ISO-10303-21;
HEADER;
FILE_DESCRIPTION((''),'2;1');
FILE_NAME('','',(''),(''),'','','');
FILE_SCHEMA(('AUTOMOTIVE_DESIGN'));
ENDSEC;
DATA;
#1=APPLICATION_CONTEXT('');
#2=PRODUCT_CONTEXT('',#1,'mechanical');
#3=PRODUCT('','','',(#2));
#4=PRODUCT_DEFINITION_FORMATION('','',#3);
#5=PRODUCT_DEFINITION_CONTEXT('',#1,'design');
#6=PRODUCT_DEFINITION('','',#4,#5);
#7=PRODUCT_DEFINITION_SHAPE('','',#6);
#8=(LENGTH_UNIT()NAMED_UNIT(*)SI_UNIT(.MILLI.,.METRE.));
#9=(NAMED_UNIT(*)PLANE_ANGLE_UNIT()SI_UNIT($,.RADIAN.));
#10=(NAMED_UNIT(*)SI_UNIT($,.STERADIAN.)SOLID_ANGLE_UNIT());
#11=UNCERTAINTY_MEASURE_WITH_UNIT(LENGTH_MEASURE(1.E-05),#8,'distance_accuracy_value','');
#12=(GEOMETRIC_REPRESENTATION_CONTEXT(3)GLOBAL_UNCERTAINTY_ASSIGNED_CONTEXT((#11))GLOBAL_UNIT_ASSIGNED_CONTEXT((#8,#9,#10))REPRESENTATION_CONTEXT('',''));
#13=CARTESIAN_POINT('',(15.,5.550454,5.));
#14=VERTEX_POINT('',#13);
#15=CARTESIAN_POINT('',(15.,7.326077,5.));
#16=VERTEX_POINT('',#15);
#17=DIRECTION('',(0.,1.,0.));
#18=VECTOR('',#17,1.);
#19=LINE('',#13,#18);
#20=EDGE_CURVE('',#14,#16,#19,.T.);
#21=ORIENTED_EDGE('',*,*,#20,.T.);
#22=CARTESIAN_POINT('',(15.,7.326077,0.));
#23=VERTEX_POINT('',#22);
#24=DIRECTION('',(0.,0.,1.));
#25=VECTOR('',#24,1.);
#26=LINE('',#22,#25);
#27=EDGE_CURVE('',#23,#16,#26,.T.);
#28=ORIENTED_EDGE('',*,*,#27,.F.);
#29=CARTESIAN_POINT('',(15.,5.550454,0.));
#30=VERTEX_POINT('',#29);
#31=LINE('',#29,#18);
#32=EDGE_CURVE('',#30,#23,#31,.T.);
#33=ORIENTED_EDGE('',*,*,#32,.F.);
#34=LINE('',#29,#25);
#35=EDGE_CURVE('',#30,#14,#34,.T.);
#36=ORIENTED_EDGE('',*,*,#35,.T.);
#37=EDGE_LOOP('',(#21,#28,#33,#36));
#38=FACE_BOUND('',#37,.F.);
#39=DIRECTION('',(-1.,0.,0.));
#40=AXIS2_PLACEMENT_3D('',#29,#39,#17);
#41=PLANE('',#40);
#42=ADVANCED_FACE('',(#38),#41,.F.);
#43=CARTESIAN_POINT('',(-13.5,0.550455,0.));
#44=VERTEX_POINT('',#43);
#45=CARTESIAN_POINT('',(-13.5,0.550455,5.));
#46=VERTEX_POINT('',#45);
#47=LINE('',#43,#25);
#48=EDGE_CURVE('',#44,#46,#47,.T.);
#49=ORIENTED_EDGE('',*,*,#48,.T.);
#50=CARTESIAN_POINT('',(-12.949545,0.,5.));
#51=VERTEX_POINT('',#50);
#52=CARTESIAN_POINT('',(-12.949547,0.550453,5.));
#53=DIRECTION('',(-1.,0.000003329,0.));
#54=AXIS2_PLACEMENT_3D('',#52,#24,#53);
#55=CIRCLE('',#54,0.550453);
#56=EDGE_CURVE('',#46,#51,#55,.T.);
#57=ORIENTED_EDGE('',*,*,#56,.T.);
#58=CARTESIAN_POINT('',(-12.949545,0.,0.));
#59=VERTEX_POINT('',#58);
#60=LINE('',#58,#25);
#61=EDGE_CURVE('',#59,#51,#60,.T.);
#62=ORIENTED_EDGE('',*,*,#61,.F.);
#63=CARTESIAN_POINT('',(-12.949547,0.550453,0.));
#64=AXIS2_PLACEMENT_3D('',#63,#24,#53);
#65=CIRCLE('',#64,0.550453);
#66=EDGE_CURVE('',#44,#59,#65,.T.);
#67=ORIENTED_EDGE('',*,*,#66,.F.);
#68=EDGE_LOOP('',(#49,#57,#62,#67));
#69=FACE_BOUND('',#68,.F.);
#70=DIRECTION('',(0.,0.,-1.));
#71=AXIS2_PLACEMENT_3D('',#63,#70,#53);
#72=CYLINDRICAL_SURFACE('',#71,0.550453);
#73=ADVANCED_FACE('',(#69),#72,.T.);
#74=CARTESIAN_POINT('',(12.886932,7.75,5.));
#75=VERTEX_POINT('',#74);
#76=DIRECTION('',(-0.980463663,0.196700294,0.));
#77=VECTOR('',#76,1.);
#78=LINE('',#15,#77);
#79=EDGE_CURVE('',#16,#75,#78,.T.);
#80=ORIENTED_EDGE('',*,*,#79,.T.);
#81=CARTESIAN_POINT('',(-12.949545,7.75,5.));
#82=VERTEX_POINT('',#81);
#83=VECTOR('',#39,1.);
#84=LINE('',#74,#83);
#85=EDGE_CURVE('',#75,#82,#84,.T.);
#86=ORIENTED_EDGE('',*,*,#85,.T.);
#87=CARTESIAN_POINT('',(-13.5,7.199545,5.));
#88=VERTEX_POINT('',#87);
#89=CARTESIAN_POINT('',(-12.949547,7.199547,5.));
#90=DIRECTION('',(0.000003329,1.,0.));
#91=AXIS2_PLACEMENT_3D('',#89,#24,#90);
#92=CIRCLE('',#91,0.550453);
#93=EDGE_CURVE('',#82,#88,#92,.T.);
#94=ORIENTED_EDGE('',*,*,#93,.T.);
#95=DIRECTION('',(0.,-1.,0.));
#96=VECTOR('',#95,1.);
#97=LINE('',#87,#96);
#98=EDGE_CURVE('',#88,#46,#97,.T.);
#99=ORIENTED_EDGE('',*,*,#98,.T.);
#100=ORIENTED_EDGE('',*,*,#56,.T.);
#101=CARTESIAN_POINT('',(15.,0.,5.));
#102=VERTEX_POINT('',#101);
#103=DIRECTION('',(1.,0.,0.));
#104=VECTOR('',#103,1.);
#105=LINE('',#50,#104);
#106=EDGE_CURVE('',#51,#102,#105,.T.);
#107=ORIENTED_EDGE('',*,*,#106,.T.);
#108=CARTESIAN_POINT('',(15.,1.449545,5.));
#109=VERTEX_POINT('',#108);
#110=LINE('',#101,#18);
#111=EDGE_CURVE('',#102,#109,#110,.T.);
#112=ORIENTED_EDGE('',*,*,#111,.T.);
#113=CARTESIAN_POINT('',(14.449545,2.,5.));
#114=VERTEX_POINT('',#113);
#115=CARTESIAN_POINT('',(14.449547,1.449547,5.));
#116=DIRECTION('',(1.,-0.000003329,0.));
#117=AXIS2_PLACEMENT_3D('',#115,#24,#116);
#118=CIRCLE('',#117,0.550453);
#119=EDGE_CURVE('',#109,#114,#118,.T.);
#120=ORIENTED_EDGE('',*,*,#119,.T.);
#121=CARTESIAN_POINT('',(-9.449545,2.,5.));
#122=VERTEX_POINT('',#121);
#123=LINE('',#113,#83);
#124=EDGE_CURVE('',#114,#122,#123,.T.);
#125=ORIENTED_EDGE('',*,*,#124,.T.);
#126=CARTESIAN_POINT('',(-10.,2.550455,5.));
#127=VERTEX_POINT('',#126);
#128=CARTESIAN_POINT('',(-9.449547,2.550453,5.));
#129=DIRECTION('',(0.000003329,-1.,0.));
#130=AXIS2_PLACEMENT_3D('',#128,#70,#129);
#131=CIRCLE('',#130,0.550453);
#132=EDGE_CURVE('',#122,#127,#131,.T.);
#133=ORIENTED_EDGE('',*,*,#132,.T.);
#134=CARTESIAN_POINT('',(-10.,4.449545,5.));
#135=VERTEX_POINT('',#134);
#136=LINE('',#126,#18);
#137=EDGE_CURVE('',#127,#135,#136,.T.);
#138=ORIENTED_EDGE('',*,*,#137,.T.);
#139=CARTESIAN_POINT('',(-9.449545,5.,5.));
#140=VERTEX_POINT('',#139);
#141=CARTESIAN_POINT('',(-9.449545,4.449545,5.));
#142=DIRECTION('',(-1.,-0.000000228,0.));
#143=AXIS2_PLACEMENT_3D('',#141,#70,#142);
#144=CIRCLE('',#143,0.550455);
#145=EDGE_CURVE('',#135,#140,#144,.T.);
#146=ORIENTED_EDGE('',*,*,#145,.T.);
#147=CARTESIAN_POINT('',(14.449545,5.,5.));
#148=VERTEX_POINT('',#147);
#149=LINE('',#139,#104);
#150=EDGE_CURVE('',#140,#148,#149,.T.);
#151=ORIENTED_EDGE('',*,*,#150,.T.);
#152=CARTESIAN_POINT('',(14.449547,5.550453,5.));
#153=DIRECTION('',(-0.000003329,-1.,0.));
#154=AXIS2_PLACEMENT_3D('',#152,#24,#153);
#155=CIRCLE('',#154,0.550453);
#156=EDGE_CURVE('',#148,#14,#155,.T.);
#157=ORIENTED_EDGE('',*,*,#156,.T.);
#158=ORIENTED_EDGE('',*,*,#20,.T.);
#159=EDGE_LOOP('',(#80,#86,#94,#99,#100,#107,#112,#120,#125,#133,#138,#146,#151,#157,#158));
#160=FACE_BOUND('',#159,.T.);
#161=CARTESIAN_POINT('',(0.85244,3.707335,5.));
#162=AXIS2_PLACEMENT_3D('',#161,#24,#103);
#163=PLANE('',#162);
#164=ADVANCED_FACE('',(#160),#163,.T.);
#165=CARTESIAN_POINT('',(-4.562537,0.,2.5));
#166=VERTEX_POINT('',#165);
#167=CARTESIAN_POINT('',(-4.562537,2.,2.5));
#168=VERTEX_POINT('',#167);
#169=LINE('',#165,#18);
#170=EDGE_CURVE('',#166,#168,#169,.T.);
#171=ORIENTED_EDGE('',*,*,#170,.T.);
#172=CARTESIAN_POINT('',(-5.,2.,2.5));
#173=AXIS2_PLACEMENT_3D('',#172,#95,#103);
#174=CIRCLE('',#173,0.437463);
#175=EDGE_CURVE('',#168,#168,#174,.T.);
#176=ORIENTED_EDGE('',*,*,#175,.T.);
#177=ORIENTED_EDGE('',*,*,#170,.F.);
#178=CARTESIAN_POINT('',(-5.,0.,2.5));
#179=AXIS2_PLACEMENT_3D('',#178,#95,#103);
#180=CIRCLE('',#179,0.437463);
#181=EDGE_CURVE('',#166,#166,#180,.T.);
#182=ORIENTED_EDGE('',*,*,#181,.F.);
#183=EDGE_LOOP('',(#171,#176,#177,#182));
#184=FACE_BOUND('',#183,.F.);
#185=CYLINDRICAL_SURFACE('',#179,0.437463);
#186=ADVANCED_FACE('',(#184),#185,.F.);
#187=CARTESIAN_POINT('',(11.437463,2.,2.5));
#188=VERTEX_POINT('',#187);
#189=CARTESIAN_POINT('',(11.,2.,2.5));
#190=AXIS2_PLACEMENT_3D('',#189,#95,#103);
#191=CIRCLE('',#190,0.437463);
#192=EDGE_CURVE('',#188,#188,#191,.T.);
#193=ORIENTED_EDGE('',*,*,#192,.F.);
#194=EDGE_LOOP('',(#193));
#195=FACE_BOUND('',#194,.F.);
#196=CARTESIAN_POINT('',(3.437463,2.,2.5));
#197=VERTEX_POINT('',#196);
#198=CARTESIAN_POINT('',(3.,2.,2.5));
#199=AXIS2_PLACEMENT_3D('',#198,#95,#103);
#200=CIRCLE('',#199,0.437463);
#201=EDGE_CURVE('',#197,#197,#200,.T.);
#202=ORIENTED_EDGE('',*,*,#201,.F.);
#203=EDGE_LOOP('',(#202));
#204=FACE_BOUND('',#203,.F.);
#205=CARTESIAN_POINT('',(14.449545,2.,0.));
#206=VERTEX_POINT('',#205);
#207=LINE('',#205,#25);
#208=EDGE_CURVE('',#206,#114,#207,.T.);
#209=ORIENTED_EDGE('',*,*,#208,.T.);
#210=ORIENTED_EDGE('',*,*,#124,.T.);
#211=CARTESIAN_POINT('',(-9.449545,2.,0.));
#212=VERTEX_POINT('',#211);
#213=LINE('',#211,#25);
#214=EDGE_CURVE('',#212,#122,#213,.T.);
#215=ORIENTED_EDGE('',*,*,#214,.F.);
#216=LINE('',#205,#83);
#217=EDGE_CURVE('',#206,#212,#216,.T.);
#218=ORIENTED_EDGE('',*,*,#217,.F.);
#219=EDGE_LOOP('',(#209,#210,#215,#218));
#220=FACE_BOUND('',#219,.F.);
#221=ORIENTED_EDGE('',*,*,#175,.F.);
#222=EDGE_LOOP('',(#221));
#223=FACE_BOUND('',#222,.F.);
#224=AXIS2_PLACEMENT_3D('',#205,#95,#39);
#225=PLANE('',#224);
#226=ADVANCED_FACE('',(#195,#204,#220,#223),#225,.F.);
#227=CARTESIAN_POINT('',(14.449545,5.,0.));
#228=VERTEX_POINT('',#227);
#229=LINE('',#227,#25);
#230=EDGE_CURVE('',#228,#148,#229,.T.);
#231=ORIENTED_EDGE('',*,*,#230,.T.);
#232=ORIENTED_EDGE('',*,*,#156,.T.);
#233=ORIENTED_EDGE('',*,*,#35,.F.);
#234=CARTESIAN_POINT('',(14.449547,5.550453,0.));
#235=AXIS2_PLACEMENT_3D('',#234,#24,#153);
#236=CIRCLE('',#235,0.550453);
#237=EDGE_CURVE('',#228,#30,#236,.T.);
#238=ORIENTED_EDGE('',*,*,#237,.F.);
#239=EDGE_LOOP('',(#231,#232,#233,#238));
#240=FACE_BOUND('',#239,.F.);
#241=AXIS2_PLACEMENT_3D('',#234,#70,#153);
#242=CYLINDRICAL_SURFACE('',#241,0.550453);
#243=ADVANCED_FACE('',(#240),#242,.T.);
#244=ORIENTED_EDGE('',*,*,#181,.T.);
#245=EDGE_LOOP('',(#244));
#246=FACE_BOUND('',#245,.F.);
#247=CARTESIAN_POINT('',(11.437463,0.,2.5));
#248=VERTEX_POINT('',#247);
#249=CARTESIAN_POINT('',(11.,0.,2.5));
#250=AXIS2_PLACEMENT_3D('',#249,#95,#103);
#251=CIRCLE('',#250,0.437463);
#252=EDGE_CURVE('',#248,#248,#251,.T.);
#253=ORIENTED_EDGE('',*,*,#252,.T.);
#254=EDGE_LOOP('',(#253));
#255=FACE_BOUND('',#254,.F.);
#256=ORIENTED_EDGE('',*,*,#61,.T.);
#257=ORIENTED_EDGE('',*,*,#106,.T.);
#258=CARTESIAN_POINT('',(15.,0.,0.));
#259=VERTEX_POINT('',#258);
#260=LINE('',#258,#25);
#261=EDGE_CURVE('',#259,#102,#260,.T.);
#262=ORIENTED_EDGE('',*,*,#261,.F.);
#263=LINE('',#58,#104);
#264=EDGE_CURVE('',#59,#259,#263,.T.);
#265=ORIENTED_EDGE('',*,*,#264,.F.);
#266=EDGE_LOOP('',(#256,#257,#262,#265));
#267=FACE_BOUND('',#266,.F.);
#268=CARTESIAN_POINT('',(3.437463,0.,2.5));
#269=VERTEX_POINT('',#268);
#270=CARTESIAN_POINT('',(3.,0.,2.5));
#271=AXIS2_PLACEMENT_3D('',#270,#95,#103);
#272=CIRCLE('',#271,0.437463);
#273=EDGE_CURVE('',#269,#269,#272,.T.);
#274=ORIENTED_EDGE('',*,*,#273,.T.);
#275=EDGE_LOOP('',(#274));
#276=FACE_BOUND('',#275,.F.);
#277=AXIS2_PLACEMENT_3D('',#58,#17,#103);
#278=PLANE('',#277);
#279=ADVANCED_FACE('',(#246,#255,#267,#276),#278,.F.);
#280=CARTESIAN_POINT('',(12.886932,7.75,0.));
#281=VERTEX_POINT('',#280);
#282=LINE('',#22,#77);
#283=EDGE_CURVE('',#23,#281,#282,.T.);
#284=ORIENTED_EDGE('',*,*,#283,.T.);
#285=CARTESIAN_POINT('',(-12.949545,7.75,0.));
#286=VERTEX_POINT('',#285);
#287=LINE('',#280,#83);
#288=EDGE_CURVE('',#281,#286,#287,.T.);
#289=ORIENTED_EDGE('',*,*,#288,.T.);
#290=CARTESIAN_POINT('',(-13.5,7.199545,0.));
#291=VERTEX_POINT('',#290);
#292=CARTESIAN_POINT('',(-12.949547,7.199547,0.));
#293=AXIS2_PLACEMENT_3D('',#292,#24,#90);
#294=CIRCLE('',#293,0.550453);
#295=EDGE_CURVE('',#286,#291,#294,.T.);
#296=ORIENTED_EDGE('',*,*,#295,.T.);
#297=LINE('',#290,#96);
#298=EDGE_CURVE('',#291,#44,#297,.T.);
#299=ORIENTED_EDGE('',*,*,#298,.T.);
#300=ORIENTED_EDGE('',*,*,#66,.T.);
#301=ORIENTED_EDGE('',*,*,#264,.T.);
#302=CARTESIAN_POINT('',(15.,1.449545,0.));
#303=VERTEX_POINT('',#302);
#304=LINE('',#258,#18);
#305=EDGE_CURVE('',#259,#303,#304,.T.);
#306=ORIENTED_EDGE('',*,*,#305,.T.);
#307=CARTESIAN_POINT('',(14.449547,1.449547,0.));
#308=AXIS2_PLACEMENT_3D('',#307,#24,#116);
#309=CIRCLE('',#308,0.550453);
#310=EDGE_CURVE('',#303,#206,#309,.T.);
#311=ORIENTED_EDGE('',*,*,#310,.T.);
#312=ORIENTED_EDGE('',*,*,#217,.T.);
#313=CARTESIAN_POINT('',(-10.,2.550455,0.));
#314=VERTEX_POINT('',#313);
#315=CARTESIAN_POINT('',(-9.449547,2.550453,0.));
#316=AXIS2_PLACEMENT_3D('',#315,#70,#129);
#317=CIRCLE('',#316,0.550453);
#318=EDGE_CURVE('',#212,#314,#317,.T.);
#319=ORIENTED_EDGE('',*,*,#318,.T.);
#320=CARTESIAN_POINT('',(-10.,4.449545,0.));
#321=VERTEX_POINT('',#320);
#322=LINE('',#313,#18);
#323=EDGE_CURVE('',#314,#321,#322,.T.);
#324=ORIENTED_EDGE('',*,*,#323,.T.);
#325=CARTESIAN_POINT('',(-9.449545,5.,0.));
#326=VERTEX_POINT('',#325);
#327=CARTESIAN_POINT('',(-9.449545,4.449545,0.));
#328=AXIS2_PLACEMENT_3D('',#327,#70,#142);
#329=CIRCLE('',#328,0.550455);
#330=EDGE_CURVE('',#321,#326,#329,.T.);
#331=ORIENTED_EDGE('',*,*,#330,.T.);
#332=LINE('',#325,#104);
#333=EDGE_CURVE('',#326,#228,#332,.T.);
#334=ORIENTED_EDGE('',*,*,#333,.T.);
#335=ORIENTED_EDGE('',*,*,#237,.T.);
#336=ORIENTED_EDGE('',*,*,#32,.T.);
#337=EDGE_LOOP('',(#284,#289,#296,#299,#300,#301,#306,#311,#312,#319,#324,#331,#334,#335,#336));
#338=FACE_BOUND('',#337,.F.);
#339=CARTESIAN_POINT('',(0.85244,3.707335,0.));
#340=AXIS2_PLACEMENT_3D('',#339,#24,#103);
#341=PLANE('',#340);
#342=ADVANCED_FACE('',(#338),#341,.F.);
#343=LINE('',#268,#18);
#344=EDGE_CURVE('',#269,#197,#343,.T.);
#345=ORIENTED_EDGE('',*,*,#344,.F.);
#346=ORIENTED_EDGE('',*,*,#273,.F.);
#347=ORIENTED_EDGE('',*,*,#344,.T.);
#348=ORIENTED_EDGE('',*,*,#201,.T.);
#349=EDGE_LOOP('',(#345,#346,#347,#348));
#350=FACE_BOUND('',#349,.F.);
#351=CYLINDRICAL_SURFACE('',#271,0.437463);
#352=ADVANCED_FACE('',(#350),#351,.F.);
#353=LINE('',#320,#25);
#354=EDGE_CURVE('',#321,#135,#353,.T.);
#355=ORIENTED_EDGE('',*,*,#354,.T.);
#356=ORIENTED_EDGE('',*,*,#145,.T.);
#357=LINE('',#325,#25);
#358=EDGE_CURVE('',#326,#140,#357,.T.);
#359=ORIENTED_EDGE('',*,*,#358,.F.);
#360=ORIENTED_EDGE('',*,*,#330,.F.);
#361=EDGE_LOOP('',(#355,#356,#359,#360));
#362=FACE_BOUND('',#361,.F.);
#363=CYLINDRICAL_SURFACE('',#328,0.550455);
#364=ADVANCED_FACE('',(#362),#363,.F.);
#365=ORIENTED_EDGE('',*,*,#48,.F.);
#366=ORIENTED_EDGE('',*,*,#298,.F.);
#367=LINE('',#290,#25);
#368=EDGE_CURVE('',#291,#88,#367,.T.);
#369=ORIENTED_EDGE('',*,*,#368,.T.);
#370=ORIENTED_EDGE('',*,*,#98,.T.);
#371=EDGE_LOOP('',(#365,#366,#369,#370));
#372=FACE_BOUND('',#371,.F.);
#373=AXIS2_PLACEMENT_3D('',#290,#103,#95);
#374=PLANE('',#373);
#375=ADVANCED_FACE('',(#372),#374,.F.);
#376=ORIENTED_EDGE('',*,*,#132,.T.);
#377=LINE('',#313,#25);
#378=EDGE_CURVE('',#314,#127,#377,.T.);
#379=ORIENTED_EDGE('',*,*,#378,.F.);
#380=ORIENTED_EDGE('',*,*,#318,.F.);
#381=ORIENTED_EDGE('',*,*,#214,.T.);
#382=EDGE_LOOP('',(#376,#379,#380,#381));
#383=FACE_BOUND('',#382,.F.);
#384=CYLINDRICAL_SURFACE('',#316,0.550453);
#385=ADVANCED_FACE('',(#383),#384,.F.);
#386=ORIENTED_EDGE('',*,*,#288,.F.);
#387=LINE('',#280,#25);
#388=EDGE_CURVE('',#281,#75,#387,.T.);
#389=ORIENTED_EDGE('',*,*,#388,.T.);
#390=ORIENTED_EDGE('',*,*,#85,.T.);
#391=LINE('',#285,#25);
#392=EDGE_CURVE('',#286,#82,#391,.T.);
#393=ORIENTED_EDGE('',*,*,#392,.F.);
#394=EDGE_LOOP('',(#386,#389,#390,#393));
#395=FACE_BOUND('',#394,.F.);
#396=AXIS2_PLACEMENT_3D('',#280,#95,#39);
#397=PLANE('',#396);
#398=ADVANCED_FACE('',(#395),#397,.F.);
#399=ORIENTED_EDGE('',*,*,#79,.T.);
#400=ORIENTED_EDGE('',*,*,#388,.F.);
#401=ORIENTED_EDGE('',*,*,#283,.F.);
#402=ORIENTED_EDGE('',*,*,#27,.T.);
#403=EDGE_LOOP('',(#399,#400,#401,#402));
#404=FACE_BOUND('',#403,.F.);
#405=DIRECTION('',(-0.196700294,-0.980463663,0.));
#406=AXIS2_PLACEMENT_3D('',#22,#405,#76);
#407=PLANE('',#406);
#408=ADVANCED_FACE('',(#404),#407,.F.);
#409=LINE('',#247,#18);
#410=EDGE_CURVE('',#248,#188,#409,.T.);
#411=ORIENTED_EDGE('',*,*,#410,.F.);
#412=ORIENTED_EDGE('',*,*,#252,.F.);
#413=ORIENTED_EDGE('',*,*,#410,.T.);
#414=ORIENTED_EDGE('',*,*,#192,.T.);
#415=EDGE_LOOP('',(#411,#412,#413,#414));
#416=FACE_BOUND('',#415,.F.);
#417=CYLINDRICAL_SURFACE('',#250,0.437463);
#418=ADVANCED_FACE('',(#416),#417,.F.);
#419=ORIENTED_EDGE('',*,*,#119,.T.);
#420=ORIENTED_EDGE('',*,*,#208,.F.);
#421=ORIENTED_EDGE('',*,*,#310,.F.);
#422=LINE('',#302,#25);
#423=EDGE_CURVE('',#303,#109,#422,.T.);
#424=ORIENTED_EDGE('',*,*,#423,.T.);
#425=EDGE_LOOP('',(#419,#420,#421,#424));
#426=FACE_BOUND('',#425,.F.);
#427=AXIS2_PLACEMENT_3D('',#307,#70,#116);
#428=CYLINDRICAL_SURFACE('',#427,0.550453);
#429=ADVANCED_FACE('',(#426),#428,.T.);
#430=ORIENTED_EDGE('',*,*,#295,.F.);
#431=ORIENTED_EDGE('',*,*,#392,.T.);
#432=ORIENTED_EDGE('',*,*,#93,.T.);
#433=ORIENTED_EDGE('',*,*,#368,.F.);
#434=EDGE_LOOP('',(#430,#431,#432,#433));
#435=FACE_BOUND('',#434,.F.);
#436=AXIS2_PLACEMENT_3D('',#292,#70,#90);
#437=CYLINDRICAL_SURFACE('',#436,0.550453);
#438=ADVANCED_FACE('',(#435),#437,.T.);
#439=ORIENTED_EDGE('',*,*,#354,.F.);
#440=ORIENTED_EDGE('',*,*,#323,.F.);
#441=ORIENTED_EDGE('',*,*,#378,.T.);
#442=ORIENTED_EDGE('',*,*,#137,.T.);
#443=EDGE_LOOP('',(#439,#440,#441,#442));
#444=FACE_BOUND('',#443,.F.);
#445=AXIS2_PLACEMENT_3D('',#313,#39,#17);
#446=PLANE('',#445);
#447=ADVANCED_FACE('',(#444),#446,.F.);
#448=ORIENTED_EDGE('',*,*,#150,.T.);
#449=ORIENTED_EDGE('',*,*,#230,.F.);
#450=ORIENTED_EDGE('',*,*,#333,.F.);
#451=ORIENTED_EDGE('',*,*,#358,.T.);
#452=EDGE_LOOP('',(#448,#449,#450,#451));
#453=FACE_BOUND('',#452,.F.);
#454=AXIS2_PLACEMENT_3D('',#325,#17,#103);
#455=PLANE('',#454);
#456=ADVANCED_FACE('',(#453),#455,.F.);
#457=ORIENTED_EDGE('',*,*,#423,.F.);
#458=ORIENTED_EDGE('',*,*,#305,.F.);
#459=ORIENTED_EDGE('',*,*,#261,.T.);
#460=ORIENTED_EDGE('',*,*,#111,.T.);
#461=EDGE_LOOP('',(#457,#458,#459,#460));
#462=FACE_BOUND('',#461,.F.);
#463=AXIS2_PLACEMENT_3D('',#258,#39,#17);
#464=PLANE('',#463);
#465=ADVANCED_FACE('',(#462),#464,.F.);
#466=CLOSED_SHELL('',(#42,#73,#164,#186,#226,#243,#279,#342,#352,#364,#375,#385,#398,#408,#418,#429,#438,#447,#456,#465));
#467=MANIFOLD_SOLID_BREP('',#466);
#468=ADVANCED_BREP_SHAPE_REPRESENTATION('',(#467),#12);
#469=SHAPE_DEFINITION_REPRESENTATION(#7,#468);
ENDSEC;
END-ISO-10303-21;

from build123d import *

# Parameters (mm, degrees)
F1_DEPTH = 5
F2_R     = 0.437463
F3_DEPTH = 4


with BuildPart() as f1:
    # F0 (on Top) → F1 (new body)
    with BuildSketch(Plane.XY):
        with BuildLine():
            Line((12.886932, 7.75), (-11.40201, 7.75))
            Line((-11.40201, 7.75), (-12.949545, 7.75))
            ThreePointArc((-12.949545, 7.75), (-13.338776, 7.588776), (-13.5, 7.199545))
            Line((-13.5, 7.199545), (-13.5, 0.550455))
            ThreePointArc((-13.5, 0.550455), (-13.338776, 0.161224), (-12.949545, 0))
            Line((-12.949545, 0), (15, 0))
            Line((15, 0), (15, 1.449545))
            ThreePointArc((15, 1.449545), (14.838776, 1.838776), (14.449545, 2))
            Line((14.449545, 2), (12.886932, 2))
            Line((12.886932, 2), (-9.449545, 2))
            ThreePointArc((-9.449545, 2), (-9.838776, 2.161224), (-10, 2.550455))
            Line((-10, 2.550455), (-10, 4.449545))
            ThreePointArc((-10, 4.449545), (-9.838776, 4.838775), (-9.449545, 5))
            Line((-9.449545, 5), (14.449545, 5))
            ThreePointArc((14.449545, 5), (14.838776, 5.161224), (15, 5.550454))
            Line((15, 5.550454), (15, 7.326077))
            Line((15, 7.326077), (12.886932, 7.75))
        make_face()
    extrude(amount=F1_DEPTH)

    # F2 (on face) → F3 (cut)
    with BuildSketch(Plane.XZ):
        with Locations((11, 2.5)):
            Circle(F2_R)
        with Locations((3, 2.5)):
            Circle(F2_R)
        with Locations((-5, 2.5)):
            Circle(F2_R)
    extrude(amount=-F3_DEPTH, mode=Mode.SUBTRACT)


solid = f1.part
